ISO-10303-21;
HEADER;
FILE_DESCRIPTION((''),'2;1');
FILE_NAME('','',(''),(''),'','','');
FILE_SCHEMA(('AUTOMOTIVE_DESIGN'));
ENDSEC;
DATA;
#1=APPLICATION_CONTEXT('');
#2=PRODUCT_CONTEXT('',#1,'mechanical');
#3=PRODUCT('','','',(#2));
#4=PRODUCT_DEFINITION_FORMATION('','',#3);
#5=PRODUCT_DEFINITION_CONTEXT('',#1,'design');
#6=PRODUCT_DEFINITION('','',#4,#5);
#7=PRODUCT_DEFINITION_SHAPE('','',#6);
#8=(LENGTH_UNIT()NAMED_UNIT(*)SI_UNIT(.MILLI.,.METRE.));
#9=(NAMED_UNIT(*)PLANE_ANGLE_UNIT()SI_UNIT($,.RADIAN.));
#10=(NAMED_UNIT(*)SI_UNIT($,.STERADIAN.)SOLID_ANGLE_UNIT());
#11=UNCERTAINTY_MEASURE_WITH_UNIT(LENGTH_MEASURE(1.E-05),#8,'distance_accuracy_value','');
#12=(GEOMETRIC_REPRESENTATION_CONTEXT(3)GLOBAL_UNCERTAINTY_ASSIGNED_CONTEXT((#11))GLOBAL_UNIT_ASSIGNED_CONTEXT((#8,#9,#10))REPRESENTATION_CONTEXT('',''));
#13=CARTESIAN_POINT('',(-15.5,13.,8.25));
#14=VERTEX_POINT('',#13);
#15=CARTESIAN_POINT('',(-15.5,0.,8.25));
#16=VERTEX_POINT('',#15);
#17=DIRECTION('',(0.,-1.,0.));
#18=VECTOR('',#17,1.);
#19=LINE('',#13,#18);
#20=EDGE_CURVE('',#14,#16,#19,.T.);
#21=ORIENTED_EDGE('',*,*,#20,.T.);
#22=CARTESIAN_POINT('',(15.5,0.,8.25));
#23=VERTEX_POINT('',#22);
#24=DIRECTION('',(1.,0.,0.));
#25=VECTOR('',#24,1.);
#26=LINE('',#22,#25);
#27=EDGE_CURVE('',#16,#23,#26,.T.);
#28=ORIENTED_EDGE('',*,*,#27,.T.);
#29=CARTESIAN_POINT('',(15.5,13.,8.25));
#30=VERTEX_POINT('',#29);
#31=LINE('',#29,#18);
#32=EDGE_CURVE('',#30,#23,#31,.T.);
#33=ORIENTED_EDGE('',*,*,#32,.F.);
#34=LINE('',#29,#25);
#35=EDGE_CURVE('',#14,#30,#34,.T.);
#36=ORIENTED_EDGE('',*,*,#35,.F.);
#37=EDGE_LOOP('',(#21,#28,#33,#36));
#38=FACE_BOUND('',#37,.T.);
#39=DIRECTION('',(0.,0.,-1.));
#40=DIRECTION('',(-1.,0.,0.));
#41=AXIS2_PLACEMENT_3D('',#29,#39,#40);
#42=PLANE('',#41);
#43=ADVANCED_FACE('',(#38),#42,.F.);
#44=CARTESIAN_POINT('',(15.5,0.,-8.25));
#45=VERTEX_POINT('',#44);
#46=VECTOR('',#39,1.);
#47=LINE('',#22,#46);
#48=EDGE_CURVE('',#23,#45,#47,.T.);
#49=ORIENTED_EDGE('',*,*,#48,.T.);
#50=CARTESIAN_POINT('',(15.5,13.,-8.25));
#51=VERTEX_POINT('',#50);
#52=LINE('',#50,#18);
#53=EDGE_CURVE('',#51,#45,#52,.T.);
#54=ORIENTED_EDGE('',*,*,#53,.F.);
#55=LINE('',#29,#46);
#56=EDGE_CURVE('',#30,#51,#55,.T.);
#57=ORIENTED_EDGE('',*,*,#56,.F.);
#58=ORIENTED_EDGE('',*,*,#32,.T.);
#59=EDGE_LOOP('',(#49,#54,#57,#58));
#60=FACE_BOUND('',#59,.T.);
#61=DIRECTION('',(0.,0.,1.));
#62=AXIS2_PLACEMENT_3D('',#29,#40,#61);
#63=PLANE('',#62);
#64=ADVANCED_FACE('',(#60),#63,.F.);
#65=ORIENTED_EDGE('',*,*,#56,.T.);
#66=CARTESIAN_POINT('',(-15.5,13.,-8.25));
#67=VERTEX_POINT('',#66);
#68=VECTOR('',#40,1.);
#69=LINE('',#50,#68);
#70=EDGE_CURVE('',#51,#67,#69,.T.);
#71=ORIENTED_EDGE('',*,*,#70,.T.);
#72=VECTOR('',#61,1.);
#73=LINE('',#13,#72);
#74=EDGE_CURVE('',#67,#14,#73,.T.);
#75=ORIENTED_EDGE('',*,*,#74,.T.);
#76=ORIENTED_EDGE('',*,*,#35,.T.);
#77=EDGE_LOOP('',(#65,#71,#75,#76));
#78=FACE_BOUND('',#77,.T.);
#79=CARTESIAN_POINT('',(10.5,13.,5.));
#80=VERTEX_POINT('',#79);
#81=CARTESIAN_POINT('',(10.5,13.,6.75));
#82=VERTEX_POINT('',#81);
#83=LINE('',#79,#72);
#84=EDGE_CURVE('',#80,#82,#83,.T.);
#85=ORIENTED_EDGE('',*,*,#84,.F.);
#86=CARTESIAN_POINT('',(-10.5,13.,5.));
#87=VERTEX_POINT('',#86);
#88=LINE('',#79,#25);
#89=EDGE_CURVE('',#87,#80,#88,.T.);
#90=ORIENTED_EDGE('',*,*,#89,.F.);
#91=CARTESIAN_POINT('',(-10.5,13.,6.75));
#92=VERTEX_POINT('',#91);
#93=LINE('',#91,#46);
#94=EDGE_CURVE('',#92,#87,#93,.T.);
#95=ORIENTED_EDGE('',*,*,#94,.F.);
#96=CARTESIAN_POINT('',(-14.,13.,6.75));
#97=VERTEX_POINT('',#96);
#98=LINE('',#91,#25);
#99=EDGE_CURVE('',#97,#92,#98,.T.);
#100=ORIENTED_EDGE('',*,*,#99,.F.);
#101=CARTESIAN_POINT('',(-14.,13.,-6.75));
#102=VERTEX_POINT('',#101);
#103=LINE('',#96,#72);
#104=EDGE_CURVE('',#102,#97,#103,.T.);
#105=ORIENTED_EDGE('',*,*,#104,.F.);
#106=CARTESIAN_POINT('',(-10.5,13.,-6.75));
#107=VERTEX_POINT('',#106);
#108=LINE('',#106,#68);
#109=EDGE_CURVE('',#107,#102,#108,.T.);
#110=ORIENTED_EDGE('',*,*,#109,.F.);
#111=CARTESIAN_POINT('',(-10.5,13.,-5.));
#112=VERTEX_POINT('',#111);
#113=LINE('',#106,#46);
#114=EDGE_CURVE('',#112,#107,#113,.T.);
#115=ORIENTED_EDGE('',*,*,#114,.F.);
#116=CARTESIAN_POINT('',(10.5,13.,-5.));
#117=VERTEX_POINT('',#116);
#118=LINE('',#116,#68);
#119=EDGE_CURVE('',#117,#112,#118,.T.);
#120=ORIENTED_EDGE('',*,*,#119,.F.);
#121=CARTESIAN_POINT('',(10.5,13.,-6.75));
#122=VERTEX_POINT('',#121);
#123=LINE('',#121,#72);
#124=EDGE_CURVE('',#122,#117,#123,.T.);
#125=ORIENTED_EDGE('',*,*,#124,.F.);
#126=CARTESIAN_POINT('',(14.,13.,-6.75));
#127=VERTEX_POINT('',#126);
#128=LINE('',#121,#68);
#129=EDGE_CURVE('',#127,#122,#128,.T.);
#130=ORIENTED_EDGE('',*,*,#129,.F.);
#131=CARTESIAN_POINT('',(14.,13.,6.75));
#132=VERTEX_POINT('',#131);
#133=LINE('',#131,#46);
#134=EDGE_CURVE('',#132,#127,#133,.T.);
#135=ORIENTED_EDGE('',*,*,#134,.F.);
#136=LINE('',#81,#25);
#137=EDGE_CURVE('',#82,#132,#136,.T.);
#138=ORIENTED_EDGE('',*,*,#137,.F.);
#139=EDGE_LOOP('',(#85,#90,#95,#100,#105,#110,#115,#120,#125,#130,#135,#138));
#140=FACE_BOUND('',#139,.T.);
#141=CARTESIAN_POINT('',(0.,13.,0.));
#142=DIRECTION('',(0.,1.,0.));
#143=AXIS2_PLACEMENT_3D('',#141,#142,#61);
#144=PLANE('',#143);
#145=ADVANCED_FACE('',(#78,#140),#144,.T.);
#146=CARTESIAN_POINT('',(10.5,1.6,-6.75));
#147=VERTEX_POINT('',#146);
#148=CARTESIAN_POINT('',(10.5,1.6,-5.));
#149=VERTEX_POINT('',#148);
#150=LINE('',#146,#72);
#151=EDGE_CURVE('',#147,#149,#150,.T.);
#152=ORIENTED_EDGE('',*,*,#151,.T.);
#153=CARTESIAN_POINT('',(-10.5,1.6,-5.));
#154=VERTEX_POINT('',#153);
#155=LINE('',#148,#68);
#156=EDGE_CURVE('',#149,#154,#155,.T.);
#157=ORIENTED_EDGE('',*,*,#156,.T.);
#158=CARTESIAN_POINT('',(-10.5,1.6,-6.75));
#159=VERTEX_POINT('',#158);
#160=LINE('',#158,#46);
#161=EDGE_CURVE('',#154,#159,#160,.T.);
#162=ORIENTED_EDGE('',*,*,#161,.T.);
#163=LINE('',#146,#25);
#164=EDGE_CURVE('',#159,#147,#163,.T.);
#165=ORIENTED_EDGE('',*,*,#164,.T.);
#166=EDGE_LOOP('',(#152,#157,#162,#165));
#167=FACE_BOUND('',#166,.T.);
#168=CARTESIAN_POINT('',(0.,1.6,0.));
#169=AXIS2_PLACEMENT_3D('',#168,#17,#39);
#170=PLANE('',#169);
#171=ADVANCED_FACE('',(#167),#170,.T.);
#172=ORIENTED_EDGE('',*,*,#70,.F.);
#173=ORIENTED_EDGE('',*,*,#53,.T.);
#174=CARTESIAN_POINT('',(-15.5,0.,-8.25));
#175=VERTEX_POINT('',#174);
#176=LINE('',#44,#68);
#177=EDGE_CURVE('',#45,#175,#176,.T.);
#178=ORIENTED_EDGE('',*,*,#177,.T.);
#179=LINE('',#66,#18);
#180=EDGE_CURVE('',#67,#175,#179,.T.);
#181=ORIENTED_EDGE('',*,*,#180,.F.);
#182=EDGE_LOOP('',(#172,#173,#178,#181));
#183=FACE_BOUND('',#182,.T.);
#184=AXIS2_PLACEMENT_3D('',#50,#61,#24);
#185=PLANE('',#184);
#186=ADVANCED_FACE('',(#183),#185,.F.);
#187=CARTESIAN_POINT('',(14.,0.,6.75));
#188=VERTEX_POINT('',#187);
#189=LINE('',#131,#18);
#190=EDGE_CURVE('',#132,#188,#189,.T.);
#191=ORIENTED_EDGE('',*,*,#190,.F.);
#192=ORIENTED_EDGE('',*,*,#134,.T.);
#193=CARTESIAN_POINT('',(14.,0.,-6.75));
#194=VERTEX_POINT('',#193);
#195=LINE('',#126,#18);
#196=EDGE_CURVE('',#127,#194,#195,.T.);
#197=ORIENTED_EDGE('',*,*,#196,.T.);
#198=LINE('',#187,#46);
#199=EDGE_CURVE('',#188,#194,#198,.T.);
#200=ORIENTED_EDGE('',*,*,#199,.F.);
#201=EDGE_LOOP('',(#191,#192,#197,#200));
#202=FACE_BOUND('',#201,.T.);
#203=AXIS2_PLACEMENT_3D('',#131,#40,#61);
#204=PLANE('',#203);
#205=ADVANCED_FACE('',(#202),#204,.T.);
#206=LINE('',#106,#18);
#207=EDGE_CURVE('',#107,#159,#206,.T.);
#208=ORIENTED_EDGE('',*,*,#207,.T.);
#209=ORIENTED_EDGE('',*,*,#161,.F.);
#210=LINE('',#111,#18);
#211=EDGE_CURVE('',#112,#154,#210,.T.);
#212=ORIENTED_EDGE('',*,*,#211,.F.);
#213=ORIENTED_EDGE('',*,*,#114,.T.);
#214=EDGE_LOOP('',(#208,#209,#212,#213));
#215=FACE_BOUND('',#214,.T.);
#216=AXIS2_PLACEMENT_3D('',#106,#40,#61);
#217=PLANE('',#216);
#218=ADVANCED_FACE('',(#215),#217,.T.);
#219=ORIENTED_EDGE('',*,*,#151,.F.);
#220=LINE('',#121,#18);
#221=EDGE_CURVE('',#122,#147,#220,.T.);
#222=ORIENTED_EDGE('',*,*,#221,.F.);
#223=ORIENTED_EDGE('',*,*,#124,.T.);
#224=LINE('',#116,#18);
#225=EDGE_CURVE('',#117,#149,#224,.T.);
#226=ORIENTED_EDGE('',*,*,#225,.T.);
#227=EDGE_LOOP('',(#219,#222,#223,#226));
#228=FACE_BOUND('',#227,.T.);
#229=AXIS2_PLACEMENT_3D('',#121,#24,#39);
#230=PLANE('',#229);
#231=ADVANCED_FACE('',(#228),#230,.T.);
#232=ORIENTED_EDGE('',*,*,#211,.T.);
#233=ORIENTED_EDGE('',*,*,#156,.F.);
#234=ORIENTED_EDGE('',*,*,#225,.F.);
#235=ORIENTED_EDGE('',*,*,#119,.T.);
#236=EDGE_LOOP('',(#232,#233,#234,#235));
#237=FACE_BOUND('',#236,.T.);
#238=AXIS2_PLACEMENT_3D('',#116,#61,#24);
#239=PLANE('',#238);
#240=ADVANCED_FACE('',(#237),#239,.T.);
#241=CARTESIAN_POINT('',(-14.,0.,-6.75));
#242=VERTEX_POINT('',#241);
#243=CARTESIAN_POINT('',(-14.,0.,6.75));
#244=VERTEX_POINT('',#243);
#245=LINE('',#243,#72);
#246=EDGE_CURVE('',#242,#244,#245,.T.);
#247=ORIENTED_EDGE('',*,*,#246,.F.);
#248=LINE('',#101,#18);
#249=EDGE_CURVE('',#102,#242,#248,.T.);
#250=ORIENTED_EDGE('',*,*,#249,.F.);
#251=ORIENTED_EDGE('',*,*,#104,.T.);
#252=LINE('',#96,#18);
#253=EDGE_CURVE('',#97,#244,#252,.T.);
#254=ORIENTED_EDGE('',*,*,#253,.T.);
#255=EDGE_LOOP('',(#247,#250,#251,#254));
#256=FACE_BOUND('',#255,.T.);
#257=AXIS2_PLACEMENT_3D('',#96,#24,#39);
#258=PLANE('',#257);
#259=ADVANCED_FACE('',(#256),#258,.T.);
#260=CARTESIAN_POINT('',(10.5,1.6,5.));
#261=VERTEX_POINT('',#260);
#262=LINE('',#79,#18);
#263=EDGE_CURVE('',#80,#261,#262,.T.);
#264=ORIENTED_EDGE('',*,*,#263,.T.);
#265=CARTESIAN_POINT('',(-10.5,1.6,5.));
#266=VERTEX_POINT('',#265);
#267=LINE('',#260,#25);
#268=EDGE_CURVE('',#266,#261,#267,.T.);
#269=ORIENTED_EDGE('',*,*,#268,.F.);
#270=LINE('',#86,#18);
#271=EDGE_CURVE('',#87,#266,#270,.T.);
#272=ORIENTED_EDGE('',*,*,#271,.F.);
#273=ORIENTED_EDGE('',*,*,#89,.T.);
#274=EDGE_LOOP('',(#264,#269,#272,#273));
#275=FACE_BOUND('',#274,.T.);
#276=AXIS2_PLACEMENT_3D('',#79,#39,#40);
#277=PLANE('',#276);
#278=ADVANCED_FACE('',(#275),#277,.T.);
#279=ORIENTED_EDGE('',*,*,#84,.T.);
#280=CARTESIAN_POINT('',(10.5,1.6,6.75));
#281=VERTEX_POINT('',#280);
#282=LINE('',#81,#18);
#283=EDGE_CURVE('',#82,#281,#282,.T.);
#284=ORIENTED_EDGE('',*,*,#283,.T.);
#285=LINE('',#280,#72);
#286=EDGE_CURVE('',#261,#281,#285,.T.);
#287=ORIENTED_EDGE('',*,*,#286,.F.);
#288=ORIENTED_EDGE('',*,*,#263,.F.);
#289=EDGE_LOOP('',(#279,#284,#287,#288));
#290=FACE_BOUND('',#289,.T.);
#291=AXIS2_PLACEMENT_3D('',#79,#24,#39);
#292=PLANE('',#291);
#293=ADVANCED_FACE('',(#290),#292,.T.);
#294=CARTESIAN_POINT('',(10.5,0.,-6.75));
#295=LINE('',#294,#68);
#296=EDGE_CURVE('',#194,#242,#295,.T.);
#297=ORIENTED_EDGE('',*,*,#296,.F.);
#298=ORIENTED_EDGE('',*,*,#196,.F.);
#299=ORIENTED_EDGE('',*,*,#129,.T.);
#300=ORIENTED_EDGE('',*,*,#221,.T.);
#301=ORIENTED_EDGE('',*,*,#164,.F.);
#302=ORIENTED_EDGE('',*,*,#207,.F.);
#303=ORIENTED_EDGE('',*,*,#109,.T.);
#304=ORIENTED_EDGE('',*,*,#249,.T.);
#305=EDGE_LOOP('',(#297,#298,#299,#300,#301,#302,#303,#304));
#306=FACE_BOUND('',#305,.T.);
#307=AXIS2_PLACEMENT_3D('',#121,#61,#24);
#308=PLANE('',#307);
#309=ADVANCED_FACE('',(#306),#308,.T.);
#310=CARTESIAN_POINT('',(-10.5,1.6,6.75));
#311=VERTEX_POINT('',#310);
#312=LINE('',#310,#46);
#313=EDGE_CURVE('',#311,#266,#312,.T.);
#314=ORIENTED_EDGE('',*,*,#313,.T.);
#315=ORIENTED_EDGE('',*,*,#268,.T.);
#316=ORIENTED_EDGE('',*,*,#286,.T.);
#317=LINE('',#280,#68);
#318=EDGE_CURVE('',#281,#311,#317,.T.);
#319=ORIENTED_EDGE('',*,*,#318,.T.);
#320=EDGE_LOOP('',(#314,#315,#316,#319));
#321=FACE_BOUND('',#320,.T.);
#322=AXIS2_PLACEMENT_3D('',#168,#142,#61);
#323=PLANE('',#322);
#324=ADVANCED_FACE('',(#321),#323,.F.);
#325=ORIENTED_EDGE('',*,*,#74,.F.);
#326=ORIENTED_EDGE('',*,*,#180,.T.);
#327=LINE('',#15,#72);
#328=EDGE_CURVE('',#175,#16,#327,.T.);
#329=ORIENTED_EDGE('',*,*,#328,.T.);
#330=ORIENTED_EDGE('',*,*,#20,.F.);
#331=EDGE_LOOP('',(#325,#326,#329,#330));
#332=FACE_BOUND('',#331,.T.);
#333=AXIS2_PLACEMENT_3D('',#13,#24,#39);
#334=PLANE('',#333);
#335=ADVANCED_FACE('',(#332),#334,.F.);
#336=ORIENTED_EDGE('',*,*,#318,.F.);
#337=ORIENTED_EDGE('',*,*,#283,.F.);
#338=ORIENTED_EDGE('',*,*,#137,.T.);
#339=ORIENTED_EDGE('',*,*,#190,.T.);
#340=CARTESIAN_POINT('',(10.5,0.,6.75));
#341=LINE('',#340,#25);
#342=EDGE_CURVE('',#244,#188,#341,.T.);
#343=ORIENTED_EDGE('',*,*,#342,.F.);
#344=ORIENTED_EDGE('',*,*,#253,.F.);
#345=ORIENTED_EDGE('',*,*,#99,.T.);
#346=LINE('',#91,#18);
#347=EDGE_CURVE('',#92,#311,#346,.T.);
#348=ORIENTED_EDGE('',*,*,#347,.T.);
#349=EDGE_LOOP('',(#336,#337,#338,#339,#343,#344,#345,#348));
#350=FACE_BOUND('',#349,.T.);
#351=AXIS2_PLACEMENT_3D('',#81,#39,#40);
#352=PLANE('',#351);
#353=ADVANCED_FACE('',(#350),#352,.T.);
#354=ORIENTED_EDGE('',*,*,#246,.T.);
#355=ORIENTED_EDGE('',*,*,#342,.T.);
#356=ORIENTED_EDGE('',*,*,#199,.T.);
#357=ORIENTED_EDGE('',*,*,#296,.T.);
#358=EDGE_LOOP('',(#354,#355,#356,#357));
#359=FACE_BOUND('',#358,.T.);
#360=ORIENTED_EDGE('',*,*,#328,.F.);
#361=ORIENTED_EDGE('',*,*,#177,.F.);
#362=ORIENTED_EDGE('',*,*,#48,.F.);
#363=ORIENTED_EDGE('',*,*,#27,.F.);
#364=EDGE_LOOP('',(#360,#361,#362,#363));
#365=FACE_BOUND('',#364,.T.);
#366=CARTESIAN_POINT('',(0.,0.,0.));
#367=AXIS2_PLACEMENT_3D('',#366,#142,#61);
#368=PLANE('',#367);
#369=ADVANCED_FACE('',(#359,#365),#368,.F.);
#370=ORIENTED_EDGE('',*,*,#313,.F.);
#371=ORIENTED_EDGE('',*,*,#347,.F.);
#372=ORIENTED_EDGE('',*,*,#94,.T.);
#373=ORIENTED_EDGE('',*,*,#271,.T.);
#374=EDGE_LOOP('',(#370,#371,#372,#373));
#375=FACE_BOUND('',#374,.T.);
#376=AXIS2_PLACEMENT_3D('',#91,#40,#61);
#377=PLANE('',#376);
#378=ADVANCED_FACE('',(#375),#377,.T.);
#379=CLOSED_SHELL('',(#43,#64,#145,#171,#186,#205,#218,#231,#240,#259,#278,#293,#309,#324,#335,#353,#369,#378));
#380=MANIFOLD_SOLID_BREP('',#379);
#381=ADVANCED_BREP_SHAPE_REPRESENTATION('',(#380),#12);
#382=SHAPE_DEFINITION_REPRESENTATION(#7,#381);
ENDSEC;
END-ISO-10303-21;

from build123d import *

# Parameters (mm, degrees)
SKETCH1_W           = 31
SKETCH1_H           = 16.5
BOSS_EXTRUDE1_DEPTH = 13
SKETCH2_W           = 21
SKETCH2_H           = 1.75
CUT_EXTRUDE1_DEPTH  = 1.6


with BuildPart() as part:
    # Sketch1 → Boss-Extrude1 (new body)
    with BuildSketch(Plane(origin=(0, 0, 0), x_dir=(1, 0, 0), z_dir=(0, 1, 0))):
        Rectangle(SKETCH1_W, SKETCH1_H)
        Polygon((10.5, 5), (-10.5, 5), (-10.5, 6.75), (-14, 6.75), (-14, -6.75), (-10.5, -6.75), (-10.5, -5), (10.5, -5), (10.5, -6.75), (14, -6.75), (14, 6.75), (10.5, 6.75), align=None, mode=Mode.SUBTRACT)
    extrude(amount=BOSS_EXTRUDE1_DEPTH)

    # Sketch2 → Cut-Extrude1 (cut)
    with BuildSketch(Plane.XZ):
        with Locations((0, 5.875)):
            Rectangle(SKETCH2_W, SKETCH2_H)
        with Locations((0, -5.875)):
            Rectangle(SKETCH2_W, SKETCH2_H)
    extrude(amount=-CUT_EXTRUDE1_DEPTH, mode=Mode.SUBTRACT)


solid = part.part
